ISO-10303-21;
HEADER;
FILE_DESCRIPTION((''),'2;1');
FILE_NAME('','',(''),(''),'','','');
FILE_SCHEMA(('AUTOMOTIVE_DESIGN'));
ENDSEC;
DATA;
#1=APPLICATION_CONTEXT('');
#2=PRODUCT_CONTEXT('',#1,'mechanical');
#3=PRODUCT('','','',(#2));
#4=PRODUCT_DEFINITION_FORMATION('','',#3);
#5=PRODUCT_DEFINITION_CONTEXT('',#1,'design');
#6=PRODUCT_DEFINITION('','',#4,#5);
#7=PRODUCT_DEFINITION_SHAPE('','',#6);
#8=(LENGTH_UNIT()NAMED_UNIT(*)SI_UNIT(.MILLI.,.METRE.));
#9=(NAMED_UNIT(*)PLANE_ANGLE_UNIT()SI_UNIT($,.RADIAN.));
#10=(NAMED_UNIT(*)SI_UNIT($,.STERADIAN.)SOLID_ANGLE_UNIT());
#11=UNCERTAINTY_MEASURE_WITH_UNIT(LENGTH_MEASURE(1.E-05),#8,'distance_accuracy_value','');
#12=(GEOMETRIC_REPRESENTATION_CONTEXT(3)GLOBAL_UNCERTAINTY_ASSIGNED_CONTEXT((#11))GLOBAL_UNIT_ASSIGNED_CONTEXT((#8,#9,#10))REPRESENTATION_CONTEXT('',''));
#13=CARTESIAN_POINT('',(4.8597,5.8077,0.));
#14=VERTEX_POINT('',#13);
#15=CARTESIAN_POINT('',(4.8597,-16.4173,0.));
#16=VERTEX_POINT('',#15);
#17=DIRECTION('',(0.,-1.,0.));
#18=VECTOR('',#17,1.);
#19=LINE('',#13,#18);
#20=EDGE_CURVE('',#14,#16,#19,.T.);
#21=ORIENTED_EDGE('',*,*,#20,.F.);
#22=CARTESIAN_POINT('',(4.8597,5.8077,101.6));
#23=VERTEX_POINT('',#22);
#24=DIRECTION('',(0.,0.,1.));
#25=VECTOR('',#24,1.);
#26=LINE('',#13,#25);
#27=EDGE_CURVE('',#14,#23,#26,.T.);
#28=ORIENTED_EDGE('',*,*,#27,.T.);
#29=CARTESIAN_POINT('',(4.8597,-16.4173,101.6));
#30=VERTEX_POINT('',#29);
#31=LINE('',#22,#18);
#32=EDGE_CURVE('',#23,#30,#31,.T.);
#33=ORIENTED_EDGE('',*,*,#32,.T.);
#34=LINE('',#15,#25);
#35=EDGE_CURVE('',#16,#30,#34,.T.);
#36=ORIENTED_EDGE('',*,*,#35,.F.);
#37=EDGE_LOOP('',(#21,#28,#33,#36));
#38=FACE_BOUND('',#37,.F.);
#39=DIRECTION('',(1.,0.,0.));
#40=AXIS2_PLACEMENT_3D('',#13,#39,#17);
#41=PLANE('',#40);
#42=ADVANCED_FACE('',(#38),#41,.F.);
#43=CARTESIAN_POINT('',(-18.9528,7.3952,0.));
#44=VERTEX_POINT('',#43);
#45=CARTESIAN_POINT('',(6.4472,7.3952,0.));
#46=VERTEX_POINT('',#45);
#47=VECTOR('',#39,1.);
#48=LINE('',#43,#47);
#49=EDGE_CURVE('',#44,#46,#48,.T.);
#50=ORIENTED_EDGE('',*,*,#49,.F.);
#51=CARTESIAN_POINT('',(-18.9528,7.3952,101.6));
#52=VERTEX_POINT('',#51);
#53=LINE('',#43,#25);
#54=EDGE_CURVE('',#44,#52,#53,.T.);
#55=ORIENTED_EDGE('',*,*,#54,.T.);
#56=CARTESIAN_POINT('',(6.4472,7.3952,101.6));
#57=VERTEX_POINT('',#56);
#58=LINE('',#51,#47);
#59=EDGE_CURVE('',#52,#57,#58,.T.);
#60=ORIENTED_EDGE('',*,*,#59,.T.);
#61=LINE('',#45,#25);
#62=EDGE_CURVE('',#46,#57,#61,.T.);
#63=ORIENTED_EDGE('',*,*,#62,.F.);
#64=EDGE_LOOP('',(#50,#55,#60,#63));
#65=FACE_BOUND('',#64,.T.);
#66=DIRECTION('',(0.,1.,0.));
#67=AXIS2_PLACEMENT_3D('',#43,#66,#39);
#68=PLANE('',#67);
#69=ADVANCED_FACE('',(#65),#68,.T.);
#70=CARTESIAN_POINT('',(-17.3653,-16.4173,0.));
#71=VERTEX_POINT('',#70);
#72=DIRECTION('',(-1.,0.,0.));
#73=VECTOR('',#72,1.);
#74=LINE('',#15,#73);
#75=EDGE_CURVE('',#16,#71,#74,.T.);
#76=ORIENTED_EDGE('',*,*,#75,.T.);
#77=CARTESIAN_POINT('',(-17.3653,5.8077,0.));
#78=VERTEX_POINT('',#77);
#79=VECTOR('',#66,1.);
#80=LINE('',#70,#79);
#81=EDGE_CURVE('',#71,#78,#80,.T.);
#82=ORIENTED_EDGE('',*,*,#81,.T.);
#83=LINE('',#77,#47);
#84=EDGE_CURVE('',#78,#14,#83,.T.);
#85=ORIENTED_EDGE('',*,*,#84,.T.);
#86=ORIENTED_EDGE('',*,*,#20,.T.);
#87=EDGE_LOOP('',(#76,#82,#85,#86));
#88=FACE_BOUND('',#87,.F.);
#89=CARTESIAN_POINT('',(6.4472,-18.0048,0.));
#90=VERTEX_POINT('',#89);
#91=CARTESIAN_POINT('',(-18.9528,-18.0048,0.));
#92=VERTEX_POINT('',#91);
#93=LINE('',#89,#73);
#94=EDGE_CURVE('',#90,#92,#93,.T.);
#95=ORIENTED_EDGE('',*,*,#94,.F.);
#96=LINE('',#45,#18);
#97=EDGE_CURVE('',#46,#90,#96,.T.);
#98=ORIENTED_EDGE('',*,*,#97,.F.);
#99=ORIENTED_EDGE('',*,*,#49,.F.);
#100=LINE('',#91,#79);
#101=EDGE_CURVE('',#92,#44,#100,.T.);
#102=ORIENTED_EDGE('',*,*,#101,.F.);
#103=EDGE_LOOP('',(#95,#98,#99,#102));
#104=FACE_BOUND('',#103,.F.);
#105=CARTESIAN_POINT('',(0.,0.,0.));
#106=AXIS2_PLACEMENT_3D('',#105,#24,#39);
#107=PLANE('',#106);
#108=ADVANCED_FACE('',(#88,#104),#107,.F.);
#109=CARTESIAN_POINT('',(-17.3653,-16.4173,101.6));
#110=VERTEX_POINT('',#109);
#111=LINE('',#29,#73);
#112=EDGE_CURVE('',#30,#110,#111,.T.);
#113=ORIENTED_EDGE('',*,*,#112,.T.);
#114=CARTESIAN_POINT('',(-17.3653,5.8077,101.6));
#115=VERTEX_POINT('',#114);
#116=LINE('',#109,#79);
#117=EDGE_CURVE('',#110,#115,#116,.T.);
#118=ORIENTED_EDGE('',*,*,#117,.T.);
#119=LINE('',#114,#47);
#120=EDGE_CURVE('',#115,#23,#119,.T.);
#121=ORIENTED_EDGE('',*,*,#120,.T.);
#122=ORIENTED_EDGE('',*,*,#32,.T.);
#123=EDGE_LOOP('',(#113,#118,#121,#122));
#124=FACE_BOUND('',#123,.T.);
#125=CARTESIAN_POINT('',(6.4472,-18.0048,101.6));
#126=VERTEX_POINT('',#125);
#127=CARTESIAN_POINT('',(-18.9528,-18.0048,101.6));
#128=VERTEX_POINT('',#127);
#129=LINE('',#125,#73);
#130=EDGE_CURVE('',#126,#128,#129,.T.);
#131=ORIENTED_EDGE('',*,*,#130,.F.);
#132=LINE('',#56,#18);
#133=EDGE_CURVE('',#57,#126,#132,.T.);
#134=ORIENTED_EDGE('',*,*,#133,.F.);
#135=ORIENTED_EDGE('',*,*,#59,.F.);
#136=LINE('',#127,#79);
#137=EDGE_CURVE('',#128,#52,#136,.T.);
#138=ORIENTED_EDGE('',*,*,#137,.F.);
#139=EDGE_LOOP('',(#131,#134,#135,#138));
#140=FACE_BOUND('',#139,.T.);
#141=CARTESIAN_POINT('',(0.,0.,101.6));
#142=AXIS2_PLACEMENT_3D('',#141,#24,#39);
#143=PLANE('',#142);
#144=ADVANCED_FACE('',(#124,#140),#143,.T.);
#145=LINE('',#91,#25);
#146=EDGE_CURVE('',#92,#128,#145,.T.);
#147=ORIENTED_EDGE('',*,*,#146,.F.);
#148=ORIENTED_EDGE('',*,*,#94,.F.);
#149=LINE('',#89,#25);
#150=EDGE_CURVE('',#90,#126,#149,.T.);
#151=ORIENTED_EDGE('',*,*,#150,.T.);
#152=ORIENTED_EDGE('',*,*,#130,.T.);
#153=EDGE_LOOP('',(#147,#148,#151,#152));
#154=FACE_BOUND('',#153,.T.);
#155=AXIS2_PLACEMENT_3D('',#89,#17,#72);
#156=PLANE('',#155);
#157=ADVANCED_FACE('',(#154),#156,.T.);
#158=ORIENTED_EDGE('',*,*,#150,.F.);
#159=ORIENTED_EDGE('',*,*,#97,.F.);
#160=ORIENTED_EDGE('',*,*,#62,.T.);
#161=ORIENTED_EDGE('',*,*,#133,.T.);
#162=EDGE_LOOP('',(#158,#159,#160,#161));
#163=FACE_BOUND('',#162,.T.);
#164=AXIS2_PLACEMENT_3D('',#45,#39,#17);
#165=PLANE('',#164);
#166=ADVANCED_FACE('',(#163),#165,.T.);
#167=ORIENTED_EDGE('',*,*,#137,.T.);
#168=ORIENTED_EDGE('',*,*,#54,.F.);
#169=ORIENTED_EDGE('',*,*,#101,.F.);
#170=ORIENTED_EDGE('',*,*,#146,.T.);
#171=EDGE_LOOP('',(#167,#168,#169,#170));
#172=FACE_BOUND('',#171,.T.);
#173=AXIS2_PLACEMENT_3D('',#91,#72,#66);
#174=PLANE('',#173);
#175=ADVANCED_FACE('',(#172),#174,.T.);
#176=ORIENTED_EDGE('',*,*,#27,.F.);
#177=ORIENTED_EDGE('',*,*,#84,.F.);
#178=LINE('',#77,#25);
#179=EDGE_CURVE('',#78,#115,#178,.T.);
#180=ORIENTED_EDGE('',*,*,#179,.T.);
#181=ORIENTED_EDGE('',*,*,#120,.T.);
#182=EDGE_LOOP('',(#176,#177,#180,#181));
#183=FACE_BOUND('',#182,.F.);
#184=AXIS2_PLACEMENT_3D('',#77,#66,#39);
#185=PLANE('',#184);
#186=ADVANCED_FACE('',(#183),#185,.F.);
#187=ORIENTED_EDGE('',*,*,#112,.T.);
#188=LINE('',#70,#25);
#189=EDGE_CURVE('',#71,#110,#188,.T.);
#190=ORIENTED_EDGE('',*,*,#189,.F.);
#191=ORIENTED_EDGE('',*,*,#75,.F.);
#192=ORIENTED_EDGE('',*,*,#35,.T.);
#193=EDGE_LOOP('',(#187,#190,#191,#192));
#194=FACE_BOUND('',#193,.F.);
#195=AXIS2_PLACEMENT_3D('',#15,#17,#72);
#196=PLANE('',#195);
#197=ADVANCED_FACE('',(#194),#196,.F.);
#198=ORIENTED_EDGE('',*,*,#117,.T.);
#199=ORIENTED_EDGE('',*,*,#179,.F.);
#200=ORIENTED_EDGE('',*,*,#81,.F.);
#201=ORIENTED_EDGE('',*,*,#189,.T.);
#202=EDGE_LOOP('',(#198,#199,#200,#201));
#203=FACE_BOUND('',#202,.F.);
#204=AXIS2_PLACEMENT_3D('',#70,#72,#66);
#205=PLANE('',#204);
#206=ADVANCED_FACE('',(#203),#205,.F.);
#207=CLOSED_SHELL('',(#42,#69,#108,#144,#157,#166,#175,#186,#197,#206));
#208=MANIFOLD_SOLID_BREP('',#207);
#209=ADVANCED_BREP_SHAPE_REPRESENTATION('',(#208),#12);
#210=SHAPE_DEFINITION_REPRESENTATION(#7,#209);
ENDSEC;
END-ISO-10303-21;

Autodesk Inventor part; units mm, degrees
ref_plane "YZ Plane" through (0, 0, 0) normal (1, 0, 0) x (0, 1, 0)
ref_plane "XZ Plane" through (0, 0, 0) normal (0, 1, 0) x (-1, 0, 0)
ref_plane "XY Plane" through (0, 0, 0) normal (0, 0, 1) x (1, 0, 0)
sketch "Sketch1" plane through (0, 0, 0) normal (0, 0, 1) x (1, 0, 0)
  line L0 (-18.9528, 7.3952) -> (6.4472, 7.3952)
  line L1 (6.4472, 7.3952) -> (6.4472, -18.0048)
  line L2 (6.4472, -18.0048) -> (-18.9528, -18.0048)
  line L3 (-18.9528, -18.0048) -> (-18.9528, 7.3952)
  line L4 (-17.3653, 5.8077) -> (4.8597, 5.8077)
  line L5 (4.8597, 5.8077) -> (4.8597, -16.4173)
  line L6 (4.8597, -16.4173) -> (-17.3653, -16.4173)
  line L7 (-17.3653, -16.4173) -> (-17.3653, 5.8077)
  point P0 (0, 0)
  dimension "d0" = 25.4
  dimension "d1" = 25.4
  dimension "d2" = 1.5875
  dimension "d3" = 1.5875
  dimension "d4" = 1.5875
  dimension "d5" = 1.5875
extrude "Extrusion1" add sketch "Sketch1" along normal blind 101.6
properties part number "1-16 tube 4''"
